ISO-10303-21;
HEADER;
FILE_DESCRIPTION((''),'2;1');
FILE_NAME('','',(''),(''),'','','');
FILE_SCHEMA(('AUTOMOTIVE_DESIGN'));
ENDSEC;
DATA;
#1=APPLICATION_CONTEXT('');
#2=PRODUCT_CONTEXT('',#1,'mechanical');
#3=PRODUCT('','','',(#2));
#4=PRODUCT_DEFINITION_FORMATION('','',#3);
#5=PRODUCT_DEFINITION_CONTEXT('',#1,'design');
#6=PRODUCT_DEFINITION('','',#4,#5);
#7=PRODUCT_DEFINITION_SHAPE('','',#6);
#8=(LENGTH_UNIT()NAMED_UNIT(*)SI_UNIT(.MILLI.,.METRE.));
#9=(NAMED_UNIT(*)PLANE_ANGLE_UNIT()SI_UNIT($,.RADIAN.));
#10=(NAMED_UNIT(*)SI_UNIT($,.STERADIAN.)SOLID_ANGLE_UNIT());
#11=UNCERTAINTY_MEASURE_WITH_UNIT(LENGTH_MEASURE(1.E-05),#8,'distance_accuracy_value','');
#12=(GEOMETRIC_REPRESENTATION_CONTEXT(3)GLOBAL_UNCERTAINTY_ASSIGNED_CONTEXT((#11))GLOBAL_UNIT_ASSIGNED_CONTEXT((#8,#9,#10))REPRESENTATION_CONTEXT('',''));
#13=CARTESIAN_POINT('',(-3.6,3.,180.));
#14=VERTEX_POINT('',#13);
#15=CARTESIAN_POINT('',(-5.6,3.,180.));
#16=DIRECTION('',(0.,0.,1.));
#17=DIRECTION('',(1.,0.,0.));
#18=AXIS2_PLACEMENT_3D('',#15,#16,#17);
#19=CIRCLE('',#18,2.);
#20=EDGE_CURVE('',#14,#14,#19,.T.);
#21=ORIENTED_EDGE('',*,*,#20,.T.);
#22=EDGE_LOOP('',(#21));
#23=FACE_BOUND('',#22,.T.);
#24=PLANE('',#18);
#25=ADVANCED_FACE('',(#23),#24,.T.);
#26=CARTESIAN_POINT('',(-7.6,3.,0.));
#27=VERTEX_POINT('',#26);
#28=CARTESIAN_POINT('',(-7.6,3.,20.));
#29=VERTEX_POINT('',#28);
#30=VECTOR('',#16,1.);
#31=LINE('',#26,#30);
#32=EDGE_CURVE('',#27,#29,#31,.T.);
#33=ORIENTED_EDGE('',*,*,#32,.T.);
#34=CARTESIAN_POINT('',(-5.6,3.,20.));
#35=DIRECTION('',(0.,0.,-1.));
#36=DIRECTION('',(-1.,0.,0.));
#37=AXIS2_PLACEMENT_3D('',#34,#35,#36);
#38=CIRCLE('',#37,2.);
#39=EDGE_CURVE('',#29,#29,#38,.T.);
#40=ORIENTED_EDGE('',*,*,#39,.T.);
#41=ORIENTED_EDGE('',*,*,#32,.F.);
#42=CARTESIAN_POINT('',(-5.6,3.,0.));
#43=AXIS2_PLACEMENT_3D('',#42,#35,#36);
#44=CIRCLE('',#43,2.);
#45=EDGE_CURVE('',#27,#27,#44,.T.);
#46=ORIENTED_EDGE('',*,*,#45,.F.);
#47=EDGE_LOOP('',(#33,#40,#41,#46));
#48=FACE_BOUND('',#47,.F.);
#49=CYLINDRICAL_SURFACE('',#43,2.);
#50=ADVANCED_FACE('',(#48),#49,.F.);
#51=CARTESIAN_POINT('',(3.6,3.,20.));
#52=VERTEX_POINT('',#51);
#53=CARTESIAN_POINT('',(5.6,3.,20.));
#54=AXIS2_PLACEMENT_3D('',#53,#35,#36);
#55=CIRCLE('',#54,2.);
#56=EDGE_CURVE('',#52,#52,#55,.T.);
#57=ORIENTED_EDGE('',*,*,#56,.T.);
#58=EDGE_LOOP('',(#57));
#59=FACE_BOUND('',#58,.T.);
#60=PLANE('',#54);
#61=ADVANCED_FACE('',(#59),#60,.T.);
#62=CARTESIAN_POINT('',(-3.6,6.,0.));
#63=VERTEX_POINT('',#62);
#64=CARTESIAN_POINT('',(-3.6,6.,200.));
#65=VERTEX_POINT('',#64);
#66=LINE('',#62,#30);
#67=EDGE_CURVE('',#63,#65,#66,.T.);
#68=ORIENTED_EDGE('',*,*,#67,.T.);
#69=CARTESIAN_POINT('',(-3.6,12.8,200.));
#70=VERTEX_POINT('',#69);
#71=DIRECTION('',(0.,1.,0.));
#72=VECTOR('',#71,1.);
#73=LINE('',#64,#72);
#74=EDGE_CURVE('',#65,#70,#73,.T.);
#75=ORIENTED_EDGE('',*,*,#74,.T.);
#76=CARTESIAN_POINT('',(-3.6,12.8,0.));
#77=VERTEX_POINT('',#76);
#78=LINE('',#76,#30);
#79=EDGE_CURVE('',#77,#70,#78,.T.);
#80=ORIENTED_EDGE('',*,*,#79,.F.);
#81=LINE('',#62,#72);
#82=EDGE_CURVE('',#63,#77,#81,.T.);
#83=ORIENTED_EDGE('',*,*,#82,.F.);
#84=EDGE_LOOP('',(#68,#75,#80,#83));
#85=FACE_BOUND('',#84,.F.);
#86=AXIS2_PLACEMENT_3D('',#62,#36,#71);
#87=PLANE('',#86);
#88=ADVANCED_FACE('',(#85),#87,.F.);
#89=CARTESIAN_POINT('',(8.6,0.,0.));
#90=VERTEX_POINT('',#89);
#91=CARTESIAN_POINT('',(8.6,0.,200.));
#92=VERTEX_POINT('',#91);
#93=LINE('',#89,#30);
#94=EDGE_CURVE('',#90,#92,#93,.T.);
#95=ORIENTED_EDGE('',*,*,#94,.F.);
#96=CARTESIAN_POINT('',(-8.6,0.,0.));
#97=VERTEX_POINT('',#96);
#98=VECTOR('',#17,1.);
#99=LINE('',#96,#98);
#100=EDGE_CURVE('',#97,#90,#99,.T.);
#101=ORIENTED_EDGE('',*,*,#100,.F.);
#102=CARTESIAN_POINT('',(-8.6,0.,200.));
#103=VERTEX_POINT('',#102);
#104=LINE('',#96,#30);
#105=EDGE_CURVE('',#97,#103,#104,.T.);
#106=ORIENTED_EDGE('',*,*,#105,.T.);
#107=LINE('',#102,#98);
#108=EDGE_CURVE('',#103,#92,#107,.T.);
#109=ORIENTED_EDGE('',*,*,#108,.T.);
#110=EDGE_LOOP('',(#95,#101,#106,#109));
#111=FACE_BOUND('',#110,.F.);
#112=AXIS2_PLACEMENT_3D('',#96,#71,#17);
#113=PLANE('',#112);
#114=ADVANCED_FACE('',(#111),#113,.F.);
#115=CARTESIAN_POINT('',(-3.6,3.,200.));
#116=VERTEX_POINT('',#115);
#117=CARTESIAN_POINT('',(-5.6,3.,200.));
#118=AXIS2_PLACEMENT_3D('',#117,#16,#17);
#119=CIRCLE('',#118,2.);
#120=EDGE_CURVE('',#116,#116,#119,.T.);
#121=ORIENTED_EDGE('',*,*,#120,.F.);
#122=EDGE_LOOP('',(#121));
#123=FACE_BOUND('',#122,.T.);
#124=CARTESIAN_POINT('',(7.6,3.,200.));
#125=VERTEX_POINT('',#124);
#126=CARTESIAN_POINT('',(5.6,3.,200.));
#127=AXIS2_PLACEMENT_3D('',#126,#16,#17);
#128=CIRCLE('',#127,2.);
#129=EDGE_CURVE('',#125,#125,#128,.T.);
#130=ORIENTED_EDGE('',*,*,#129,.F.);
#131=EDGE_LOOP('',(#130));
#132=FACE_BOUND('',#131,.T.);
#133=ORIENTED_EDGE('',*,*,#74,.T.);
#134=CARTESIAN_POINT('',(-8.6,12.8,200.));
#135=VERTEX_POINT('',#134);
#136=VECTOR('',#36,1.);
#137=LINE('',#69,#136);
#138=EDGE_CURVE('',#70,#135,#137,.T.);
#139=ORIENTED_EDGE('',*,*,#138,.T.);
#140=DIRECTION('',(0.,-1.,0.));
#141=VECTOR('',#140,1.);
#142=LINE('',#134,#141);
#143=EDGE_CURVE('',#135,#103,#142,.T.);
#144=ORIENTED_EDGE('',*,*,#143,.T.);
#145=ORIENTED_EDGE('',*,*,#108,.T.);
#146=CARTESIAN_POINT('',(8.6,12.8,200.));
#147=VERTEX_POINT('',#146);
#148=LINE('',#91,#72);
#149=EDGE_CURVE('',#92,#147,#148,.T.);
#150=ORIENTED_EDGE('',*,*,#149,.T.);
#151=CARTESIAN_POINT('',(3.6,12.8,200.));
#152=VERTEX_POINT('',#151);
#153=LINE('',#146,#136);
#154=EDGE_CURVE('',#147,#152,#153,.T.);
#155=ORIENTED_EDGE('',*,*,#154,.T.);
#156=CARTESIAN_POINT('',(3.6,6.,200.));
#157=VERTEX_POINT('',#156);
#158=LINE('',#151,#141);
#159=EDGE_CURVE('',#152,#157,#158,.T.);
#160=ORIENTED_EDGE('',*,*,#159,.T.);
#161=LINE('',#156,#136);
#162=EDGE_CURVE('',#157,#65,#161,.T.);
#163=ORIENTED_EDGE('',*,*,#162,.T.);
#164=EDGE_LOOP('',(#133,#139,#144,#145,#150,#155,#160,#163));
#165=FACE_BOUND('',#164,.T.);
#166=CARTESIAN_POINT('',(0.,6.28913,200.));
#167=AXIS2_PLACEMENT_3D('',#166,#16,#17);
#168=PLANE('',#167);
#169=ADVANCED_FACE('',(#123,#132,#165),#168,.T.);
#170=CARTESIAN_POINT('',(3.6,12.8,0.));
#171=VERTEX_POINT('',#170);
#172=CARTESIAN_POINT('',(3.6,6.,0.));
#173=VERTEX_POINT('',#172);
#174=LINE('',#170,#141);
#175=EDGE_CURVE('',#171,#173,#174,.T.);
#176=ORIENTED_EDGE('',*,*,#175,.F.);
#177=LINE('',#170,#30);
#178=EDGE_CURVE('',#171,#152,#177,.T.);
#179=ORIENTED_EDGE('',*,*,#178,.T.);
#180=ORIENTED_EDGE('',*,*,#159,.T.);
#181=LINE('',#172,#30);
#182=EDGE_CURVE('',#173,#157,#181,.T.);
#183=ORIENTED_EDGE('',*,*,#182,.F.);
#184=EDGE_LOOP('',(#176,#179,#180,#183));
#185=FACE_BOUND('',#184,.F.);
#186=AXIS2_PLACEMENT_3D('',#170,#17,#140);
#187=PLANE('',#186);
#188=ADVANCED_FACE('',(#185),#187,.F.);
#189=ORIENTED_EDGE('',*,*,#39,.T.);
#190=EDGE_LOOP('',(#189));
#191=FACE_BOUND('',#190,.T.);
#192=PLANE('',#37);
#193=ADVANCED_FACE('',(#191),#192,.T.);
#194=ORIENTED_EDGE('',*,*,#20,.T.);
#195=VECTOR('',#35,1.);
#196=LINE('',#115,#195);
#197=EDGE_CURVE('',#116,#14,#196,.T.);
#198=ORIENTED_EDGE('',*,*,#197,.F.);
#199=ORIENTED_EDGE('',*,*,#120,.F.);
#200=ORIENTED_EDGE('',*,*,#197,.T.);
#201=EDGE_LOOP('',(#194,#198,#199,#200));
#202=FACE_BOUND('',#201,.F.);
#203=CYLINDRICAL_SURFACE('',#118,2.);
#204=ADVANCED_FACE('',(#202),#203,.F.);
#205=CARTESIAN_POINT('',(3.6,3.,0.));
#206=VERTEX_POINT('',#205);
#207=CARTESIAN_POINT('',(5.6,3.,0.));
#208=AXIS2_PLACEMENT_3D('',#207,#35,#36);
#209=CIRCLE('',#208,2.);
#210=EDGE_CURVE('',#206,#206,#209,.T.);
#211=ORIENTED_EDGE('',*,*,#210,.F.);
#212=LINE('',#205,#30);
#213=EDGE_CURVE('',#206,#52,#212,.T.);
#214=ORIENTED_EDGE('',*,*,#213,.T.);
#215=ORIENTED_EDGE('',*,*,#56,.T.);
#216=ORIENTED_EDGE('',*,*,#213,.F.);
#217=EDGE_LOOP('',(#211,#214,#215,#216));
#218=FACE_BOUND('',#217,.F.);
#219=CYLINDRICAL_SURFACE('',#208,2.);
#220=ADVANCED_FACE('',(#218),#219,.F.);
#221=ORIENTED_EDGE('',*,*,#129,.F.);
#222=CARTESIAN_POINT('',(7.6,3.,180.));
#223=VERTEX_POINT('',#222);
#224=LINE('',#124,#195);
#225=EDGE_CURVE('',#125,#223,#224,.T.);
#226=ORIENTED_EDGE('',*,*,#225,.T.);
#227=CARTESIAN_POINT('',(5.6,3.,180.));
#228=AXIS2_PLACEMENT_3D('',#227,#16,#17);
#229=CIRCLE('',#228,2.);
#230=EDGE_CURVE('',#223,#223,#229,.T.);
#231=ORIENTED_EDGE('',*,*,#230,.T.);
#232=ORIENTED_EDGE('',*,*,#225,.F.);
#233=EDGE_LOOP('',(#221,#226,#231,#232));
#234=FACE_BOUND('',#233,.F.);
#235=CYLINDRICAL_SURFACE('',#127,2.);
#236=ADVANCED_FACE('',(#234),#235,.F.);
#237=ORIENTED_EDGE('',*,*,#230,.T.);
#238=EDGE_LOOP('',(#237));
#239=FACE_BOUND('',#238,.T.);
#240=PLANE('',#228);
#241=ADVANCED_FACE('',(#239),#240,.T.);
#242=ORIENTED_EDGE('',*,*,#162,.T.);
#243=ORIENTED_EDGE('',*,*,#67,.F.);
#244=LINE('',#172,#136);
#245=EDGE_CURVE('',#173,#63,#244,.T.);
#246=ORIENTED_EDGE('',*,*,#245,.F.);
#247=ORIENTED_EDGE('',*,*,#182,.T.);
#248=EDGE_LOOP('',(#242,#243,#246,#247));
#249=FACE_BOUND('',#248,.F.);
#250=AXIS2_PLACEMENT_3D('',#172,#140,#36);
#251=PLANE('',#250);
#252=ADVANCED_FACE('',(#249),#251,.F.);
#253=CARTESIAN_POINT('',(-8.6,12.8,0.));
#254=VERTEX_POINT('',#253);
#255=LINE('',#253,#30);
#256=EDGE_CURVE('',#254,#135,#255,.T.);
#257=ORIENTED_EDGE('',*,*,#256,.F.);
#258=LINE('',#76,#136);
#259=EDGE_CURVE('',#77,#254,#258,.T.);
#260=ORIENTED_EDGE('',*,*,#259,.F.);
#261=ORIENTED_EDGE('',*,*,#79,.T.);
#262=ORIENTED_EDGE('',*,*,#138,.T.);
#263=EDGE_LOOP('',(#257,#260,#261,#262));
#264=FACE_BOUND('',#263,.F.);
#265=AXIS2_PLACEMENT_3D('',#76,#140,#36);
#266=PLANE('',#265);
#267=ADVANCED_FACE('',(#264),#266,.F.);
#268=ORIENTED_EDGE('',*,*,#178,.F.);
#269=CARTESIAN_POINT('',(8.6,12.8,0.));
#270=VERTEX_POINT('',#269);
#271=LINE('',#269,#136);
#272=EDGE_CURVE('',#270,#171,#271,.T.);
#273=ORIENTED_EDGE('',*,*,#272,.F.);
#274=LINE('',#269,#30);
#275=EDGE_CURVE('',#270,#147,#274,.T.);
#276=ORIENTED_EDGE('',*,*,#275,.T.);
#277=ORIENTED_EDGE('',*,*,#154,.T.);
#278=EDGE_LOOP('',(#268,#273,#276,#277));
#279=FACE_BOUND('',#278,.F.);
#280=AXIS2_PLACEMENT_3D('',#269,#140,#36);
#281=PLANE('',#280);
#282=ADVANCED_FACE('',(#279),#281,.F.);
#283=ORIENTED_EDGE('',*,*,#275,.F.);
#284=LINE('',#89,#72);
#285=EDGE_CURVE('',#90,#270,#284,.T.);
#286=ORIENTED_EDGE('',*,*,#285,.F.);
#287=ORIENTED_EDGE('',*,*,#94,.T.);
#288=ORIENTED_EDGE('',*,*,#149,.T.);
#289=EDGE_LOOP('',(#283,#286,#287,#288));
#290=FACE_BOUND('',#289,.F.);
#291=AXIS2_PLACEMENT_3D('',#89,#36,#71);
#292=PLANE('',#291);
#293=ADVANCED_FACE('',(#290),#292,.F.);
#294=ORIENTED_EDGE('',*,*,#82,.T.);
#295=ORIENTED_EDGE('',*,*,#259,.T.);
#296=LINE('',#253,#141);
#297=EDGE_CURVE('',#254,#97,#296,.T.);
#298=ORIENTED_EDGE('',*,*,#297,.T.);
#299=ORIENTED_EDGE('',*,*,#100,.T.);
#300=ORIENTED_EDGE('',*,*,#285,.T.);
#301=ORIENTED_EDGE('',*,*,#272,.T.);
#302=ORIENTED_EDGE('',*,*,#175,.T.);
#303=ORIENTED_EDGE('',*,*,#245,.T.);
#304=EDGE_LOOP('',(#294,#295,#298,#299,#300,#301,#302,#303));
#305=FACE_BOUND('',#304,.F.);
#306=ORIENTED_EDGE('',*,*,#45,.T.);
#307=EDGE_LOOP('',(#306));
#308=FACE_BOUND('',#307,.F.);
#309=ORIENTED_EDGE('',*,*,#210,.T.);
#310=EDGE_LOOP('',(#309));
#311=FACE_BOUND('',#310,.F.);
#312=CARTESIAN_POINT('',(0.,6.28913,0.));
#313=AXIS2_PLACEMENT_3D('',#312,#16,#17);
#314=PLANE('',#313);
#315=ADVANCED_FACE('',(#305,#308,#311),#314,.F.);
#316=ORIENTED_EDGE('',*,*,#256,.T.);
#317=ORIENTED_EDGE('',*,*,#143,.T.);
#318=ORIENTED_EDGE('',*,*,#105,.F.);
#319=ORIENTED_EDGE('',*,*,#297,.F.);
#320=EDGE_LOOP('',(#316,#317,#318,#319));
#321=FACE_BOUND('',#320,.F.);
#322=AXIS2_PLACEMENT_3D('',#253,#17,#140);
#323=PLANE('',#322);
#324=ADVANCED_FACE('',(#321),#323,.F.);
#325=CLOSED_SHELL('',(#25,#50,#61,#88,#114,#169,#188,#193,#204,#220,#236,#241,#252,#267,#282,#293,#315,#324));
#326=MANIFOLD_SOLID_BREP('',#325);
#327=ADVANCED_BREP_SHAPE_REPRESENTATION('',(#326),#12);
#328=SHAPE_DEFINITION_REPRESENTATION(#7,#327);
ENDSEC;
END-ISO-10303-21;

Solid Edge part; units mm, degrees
sketch "Sketch1" plane through (0, 0, 0) normal (0, 0, 1) x (1, 0, 0)
  line L0 (8.6, 0) -> (8.6, 12.8)
  line L1 (8.6, 12.8) -> (3.6, 12.8)
  line L2 (3.6, 12.8) -> (3.6, 6)
  line L3 (3.6, 6) -> (-3.6, 6)
  line L4 (-3.6, 6) -> (-3.6, 12.8)
  line L5 (-3.6, 12.8) -> (-8.6, 12.8)
  line L6 (-8.6, 12.8) -> (-8.6, 0)
  line L7 (-8.6, 0) -> (8.6, 0)
extrude "Protrusion1" add sketch "Sketch1" along normal blind 200
sketch "Sketch2" plane through (0, 5.9, 200) normal (0, 0, 1) x (1, 0, 0)
  circle A0 centre (-5.6, -2.9) radius 2
  circle A1 centre (5.6, -2.9) radius 2
extrude "ExtrudedCutout_1" cut sketch "Sketch2" against normal blind 20
sketch "Sketch3" plane through (0, 5.9, 0) normal (0, 0, -1) x (-1, 0, 0)
  circle A0 centre (-5.6, -2.9) radius 2
  circle A1 centre (5.6, -2.9) radius 2
extrude "ExtrudedCutout_2" cut sketch "Sketch3" against normal blind 20
